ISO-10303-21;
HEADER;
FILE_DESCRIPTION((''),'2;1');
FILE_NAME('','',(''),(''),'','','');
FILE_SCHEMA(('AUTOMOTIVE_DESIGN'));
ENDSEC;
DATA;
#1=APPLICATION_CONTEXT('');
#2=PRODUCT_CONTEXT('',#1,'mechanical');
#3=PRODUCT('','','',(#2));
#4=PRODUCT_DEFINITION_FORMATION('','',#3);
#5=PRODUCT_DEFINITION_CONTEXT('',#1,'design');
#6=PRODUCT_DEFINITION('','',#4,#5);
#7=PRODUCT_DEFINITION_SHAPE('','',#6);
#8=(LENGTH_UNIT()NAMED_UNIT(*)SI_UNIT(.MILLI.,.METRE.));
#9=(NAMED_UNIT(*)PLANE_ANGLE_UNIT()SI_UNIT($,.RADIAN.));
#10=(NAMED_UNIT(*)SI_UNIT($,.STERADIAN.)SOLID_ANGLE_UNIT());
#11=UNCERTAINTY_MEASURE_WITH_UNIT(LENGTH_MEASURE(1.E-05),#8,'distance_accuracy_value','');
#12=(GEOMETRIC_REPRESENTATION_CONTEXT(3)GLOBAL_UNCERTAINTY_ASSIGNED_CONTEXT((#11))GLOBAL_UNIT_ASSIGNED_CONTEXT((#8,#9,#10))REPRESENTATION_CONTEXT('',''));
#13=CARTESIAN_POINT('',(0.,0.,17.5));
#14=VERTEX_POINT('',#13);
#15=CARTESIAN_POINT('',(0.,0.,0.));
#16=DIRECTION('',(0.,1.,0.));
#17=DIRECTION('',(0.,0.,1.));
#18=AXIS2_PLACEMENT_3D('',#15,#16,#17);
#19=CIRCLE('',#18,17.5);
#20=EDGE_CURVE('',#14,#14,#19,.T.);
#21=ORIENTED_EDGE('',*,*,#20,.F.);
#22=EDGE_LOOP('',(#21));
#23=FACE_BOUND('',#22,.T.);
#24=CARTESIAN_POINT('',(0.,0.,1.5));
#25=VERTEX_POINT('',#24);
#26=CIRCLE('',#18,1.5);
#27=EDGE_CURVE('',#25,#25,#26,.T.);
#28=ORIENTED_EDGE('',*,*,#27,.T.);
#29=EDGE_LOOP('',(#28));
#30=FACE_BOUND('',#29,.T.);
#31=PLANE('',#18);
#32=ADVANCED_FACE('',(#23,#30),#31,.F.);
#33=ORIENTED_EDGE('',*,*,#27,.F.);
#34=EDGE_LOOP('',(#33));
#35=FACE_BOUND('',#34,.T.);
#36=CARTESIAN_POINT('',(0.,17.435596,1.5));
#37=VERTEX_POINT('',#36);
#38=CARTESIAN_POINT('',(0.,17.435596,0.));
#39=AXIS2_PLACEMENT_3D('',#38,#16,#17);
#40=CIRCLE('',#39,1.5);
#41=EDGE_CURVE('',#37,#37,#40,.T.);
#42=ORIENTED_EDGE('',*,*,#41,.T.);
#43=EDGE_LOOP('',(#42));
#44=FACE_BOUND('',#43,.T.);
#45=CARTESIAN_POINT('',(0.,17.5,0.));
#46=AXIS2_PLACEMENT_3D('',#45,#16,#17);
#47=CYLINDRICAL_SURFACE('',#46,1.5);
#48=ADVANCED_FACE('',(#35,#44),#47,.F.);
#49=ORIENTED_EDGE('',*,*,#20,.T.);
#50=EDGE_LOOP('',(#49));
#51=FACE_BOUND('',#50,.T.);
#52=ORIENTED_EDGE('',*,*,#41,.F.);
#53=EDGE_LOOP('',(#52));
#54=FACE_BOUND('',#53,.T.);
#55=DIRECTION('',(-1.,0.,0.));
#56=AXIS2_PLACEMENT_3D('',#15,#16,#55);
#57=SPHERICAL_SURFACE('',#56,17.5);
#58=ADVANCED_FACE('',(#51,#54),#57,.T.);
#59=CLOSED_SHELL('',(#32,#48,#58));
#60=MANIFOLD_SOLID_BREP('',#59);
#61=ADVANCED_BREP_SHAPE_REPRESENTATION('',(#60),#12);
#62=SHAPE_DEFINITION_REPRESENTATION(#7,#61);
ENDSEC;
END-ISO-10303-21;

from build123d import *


with BuildPart() as part:
    # Esquisse1 → Révolution1 (revolve)
    with BuildSketch(Plane.XY):
        with BuildLine():
            Line((-17.5, 0), (-1.5, 0))
            Line((-1.5, 0), (-1.5, 17.435595774))
            ThreePointArc((-1.5, 17.435595774), (-12.893796958, 11.832159566), (-17.5, 0))
        make_face()
    revolve(axis=Axis((0, 17.5, 0), (0, -1, 0)))


solid = part.part
